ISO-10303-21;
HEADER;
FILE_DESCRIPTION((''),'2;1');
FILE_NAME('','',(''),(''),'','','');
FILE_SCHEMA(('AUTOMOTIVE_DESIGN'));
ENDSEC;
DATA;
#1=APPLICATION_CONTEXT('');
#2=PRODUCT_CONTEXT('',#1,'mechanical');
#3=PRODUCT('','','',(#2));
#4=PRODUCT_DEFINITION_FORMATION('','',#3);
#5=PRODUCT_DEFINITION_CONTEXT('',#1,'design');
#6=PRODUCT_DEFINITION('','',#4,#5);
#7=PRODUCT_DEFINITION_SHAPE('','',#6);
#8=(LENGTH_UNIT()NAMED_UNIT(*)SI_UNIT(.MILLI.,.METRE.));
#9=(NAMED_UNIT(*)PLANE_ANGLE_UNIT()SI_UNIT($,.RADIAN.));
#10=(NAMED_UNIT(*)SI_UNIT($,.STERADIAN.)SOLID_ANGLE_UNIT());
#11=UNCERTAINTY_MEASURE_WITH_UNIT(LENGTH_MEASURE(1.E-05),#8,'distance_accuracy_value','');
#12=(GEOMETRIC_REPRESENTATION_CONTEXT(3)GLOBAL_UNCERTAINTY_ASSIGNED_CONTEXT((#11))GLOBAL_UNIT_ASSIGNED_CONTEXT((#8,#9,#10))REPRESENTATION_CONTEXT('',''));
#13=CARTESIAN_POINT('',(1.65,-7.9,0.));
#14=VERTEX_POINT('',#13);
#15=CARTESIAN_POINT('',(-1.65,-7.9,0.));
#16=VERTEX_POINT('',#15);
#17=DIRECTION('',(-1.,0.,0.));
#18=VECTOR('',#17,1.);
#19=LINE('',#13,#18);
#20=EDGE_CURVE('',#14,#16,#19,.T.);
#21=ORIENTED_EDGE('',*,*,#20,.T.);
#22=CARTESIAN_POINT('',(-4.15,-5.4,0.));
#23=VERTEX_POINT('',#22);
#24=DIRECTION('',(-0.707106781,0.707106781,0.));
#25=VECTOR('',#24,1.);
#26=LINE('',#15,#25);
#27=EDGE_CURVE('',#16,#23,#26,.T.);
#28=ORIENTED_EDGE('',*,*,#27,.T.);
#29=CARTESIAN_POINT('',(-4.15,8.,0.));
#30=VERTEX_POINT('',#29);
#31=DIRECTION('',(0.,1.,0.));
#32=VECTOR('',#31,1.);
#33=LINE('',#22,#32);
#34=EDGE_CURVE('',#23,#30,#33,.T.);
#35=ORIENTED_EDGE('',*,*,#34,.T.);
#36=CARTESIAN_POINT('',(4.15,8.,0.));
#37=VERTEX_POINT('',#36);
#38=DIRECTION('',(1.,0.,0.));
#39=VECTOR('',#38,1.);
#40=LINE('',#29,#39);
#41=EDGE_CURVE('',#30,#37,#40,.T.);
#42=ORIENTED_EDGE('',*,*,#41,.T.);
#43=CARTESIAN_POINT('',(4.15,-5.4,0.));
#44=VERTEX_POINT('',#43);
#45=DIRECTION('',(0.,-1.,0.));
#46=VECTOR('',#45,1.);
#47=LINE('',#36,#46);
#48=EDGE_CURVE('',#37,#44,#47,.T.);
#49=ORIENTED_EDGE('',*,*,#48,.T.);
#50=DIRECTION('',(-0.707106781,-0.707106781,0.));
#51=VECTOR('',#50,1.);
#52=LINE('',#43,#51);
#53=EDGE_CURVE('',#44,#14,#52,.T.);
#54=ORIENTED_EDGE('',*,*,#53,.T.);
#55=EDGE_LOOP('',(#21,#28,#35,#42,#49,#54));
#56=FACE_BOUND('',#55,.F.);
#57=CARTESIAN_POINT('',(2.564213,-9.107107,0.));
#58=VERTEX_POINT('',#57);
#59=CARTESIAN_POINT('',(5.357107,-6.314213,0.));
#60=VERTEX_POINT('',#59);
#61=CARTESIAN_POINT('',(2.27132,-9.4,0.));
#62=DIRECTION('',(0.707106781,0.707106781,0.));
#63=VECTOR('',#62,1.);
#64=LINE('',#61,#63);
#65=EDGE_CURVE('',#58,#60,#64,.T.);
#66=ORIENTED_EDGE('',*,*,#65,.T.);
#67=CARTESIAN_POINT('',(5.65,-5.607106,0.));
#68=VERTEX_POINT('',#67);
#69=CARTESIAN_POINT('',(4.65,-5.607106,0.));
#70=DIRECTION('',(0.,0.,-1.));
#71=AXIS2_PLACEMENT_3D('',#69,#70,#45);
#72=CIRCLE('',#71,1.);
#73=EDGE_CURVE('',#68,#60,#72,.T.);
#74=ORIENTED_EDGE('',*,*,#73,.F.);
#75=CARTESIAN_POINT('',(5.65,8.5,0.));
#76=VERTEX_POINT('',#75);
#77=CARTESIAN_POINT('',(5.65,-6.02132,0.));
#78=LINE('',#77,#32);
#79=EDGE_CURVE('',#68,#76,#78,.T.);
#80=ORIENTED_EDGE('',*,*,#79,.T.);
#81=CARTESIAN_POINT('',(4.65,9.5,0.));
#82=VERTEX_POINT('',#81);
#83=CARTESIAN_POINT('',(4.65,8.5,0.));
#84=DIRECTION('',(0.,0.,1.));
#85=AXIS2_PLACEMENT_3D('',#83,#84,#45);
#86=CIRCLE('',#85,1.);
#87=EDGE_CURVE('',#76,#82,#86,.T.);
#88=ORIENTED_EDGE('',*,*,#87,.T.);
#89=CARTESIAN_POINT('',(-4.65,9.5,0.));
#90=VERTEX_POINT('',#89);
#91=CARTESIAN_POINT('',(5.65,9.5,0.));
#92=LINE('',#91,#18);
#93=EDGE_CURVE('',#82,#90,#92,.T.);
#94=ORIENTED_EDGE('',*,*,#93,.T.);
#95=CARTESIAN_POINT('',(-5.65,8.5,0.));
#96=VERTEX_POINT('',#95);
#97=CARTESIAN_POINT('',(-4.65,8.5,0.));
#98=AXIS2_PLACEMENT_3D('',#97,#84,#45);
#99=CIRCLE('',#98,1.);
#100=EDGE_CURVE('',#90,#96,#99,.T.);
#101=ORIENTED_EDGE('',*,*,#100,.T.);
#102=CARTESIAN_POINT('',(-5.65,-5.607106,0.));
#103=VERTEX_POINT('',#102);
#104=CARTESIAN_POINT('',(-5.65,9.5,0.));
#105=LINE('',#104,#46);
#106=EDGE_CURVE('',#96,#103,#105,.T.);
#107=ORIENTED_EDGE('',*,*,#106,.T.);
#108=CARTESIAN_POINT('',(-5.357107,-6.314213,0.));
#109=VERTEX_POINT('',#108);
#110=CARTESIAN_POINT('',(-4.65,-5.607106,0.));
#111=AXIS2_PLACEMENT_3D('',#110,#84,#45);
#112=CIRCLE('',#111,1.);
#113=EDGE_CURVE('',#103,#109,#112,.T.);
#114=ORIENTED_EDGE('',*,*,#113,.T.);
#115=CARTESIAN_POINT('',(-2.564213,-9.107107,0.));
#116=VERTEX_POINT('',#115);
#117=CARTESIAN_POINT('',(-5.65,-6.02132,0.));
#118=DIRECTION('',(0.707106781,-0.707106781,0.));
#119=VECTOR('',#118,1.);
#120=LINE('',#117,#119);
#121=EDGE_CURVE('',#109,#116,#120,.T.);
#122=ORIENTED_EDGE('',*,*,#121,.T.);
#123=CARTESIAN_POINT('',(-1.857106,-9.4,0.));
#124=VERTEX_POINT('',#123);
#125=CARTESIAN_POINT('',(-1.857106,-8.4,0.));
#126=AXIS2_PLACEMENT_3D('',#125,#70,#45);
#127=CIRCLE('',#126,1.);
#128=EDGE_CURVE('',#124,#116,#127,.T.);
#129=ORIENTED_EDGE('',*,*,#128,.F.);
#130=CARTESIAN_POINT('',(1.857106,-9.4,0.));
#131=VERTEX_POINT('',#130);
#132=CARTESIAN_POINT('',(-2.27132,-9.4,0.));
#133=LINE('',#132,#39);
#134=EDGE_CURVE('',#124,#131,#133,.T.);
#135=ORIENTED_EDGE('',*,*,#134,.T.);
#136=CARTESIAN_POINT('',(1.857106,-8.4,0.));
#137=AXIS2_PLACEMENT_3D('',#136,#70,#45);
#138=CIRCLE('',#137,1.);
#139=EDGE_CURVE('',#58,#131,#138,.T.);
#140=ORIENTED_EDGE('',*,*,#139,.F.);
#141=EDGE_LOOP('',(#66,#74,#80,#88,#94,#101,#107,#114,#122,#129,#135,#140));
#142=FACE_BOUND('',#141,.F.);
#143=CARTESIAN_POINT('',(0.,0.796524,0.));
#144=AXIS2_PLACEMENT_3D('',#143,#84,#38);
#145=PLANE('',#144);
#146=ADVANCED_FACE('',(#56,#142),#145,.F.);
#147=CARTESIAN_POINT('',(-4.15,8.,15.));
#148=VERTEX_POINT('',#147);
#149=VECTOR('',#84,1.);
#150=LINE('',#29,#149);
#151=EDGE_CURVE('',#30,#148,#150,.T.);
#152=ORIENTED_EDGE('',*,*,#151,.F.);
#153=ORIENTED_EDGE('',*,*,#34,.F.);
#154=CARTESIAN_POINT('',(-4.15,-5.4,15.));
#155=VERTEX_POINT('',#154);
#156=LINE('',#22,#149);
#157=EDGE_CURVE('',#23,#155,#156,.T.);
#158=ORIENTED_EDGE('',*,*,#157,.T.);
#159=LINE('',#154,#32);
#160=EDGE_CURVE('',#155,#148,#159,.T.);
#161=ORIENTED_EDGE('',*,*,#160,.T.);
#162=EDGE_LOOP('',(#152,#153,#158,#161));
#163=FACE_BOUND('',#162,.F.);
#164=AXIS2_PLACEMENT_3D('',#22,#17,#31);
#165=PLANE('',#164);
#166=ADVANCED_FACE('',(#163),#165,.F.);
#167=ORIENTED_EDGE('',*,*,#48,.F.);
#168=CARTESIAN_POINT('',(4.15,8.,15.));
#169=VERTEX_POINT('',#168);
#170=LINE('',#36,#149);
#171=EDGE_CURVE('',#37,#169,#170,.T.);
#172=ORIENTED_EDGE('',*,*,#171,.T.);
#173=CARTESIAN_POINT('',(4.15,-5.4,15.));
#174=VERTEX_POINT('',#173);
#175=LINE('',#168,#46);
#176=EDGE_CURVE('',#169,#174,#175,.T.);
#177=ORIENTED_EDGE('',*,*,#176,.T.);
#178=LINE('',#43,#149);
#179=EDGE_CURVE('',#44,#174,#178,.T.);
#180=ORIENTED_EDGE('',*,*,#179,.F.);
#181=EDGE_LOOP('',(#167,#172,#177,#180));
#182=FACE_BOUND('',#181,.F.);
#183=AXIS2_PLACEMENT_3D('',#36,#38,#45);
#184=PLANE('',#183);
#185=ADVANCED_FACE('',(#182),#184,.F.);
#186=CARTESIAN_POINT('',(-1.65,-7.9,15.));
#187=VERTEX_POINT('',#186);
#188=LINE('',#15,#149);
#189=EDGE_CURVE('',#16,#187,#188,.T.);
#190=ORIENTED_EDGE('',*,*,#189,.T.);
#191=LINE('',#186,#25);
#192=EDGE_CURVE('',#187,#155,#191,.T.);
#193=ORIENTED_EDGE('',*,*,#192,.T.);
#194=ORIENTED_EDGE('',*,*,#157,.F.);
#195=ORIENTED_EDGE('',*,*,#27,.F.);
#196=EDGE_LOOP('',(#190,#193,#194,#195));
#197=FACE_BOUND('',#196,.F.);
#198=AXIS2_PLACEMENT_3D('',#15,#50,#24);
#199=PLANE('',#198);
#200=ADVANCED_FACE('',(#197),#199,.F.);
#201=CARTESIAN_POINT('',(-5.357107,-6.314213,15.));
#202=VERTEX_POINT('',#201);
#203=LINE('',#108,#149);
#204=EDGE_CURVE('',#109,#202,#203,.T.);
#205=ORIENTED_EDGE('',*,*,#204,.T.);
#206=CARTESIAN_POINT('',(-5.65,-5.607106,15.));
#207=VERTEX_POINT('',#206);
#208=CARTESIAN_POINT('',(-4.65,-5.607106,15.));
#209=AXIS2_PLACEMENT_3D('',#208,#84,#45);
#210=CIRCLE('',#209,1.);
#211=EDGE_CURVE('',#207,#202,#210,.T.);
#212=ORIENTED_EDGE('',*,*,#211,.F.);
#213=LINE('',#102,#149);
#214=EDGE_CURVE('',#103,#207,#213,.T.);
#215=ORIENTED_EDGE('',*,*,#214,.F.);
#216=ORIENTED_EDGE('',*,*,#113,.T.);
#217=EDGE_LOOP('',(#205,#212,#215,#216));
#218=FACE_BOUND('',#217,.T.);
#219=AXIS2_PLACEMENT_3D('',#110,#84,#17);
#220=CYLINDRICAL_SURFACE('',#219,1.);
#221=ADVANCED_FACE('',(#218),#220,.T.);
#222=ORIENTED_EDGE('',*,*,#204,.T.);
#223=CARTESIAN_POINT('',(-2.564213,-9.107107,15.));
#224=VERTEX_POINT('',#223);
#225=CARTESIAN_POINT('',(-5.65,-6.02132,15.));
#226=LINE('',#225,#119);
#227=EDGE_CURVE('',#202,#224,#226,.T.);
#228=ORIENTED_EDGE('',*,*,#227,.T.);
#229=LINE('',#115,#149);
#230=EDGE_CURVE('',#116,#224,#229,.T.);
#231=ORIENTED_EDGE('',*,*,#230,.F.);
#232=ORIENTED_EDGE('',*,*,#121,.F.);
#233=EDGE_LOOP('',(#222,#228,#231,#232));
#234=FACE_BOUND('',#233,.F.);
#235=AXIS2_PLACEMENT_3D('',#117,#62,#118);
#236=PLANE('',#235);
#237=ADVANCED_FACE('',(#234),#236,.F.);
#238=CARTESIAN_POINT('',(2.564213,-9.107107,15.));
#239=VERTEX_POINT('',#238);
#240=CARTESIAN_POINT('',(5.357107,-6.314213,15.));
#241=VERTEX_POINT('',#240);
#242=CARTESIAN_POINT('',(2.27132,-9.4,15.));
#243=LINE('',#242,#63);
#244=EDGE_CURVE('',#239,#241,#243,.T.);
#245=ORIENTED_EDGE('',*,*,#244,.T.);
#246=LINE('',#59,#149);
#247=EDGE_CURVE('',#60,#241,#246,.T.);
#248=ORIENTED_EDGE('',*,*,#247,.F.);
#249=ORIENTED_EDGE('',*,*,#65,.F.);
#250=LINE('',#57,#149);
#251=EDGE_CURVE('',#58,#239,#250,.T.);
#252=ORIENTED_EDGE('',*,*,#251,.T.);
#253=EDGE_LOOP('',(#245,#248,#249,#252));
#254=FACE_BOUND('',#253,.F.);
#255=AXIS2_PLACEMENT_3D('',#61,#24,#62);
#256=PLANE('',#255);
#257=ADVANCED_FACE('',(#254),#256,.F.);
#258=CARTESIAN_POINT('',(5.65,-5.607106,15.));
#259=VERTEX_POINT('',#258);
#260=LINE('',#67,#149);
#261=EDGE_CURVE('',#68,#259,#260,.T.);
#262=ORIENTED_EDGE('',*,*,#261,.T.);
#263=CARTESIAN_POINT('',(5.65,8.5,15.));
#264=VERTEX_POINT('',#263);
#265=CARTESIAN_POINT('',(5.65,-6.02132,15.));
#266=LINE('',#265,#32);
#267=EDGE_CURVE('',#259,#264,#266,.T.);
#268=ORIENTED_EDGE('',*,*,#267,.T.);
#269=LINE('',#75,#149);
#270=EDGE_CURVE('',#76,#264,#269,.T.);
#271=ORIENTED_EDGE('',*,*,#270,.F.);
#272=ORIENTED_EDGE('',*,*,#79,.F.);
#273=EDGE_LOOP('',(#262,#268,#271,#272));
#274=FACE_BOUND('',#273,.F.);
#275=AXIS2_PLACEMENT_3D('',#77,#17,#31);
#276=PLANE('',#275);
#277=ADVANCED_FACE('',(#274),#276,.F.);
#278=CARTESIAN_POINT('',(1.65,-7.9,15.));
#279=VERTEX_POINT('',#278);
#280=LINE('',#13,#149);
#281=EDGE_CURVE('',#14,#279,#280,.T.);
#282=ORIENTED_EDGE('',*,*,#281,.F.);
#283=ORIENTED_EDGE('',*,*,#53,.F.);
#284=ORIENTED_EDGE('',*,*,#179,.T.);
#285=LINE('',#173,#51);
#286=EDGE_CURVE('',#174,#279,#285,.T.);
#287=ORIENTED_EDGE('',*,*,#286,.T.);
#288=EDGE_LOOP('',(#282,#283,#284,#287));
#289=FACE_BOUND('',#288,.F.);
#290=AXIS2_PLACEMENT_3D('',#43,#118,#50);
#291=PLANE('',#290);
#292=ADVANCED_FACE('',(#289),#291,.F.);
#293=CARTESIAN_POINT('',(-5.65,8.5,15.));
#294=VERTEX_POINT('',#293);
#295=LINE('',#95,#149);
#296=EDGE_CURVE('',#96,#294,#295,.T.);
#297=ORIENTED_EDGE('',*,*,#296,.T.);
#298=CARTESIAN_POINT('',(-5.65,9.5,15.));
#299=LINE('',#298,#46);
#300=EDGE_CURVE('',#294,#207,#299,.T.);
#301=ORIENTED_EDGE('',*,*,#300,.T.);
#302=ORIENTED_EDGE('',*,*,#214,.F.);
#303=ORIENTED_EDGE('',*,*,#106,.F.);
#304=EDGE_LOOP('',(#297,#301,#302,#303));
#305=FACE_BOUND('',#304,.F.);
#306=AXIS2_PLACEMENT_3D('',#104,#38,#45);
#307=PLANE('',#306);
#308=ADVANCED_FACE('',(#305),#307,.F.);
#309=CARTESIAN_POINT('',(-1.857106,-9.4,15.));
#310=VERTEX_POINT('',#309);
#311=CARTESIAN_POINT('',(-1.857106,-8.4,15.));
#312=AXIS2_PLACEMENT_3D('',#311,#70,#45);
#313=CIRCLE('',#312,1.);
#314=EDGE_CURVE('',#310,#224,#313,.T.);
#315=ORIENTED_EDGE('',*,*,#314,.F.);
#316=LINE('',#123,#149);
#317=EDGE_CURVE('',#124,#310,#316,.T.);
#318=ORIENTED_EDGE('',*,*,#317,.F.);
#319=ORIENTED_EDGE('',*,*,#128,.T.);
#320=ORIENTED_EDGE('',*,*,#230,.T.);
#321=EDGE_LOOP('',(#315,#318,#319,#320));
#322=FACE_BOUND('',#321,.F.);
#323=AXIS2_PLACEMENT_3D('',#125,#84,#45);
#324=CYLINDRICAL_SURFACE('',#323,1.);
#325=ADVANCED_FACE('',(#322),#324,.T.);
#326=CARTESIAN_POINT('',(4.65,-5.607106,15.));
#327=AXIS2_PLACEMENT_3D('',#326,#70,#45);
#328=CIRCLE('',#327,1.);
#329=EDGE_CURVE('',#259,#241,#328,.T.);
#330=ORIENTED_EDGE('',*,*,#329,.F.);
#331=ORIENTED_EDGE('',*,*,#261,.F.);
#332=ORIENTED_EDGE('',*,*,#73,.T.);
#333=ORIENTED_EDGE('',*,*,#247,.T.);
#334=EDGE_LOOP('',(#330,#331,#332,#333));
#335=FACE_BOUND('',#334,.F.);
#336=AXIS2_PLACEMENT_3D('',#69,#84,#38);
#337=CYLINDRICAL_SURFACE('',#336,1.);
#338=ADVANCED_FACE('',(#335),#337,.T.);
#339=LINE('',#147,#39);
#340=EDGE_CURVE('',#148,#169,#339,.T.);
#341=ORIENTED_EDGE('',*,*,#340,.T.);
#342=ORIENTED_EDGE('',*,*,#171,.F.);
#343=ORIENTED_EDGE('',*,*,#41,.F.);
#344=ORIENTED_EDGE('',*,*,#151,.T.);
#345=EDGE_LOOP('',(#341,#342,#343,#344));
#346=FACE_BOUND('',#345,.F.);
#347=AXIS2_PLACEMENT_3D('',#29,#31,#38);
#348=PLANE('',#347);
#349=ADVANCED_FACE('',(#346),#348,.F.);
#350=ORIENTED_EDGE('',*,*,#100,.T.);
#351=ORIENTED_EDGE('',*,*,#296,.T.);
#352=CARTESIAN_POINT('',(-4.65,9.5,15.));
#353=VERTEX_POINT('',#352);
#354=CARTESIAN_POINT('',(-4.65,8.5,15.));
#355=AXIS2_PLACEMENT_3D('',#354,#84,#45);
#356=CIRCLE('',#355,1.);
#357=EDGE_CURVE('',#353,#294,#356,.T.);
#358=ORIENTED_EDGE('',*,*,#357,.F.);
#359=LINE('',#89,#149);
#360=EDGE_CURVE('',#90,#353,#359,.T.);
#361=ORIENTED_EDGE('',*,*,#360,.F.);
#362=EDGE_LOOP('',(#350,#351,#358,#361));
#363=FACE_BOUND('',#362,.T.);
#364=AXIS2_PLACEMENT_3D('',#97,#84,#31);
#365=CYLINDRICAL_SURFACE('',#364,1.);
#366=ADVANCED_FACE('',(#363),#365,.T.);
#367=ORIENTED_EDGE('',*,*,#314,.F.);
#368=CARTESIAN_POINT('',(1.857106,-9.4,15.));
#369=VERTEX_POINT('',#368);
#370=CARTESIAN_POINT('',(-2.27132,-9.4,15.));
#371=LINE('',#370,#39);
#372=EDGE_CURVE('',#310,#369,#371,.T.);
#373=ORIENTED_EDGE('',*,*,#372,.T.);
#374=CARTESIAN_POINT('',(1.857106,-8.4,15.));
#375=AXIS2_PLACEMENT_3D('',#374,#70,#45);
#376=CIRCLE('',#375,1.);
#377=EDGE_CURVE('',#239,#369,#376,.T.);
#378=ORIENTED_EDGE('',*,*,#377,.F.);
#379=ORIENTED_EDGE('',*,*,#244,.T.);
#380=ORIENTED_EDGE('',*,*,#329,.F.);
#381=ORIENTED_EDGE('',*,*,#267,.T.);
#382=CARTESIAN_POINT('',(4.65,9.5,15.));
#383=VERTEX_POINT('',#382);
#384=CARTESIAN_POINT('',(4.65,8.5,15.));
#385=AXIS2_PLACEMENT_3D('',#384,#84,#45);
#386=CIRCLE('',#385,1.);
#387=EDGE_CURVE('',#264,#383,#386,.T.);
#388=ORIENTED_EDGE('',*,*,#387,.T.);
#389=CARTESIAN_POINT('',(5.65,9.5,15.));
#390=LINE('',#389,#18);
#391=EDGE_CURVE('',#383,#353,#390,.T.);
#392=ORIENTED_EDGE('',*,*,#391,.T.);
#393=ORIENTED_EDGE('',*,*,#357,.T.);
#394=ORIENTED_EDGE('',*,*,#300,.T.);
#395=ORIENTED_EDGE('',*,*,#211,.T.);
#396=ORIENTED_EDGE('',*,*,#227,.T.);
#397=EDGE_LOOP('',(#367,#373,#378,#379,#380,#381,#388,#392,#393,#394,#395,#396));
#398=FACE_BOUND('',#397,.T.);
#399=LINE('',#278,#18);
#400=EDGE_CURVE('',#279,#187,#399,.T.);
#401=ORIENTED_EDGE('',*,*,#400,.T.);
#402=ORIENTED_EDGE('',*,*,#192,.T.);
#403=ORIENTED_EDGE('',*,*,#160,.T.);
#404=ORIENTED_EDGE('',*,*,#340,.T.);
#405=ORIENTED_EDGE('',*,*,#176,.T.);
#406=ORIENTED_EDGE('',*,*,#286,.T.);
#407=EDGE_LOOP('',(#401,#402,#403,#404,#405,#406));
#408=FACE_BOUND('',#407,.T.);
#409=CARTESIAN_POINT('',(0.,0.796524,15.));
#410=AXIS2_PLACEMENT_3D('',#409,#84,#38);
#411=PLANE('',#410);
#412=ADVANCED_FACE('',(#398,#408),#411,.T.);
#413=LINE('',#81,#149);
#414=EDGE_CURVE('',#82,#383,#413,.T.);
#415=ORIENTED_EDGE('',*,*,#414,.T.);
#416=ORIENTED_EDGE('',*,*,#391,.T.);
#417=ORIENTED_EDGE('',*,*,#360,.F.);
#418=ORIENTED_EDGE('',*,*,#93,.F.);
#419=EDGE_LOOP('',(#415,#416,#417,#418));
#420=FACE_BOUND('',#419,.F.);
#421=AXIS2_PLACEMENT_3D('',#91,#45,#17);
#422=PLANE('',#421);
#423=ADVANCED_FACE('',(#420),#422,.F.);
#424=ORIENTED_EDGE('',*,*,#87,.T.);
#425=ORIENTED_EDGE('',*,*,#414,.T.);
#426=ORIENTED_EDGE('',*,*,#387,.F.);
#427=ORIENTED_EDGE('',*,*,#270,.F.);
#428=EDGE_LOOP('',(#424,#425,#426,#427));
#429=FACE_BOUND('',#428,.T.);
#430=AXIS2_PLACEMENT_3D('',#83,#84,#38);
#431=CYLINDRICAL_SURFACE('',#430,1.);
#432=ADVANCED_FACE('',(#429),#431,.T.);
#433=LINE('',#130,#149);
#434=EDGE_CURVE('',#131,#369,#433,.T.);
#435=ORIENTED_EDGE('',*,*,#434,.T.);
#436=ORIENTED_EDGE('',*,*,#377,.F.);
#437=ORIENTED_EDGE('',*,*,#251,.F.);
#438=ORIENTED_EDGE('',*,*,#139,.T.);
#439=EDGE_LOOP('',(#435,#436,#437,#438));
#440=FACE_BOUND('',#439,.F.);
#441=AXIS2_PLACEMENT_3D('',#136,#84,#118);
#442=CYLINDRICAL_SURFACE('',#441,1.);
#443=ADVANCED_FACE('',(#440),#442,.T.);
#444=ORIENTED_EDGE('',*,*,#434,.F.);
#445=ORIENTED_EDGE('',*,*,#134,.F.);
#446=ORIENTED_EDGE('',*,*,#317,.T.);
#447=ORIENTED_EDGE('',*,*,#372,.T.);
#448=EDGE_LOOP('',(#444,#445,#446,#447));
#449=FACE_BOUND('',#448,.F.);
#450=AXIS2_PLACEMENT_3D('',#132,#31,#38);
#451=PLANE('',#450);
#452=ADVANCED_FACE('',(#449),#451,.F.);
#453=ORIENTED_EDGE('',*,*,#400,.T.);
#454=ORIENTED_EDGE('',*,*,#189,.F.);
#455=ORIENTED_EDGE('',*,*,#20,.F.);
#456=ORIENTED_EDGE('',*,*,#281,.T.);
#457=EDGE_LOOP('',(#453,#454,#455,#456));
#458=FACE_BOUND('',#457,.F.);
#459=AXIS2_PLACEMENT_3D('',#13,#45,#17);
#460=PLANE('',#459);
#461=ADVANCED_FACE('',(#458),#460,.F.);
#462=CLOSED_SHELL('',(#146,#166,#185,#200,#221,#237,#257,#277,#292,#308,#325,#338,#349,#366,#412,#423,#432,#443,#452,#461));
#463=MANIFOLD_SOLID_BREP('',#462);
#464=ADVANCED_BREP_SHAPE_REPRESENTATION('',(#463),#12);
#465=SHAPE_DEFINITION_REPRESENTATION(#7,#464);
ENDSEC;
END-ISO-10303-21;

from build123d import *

# Parameters (mm, degrees)
F1_DEPTH = 15
F2_R     = 1


with BuildPart() as f1:
    # F0 (on Top) → F1 (new body)
    with BuildSketch(Plane.XY):
        Polygon((5.65, -6.02132), (5.65, 9.5), (-5.65, 9.5), (-5.65, -6.02132), (-2.27132, -9.4), (2.27132, -9.4), align=None)
        Polygon((-4.15, 8), (4.15, 8), (4.15, -5.4), (1.65, -7.9), (-1.65, -7.9), (-4.15, -5.4), align=None, mode=Mode.SUBTRACT)
    extrude(amount=F1_DEPTH)

    # F2
    f2_edges = [f1.edges().sort_by_distance(p)[0] for p in [
        (-5.65, 9.5, 7.5),
        (5.65, 9.5, 7.5),
        (5.65, -6.02132, 7.5),
        (2.27132, -9.4, 7.5),
        (-2.27132, -9.4, 7.5),
        (-5.65, -6.02132, 7.5),
    ]]
    fillet(f2_edges, radius=F2_R)


solid = f1.part
